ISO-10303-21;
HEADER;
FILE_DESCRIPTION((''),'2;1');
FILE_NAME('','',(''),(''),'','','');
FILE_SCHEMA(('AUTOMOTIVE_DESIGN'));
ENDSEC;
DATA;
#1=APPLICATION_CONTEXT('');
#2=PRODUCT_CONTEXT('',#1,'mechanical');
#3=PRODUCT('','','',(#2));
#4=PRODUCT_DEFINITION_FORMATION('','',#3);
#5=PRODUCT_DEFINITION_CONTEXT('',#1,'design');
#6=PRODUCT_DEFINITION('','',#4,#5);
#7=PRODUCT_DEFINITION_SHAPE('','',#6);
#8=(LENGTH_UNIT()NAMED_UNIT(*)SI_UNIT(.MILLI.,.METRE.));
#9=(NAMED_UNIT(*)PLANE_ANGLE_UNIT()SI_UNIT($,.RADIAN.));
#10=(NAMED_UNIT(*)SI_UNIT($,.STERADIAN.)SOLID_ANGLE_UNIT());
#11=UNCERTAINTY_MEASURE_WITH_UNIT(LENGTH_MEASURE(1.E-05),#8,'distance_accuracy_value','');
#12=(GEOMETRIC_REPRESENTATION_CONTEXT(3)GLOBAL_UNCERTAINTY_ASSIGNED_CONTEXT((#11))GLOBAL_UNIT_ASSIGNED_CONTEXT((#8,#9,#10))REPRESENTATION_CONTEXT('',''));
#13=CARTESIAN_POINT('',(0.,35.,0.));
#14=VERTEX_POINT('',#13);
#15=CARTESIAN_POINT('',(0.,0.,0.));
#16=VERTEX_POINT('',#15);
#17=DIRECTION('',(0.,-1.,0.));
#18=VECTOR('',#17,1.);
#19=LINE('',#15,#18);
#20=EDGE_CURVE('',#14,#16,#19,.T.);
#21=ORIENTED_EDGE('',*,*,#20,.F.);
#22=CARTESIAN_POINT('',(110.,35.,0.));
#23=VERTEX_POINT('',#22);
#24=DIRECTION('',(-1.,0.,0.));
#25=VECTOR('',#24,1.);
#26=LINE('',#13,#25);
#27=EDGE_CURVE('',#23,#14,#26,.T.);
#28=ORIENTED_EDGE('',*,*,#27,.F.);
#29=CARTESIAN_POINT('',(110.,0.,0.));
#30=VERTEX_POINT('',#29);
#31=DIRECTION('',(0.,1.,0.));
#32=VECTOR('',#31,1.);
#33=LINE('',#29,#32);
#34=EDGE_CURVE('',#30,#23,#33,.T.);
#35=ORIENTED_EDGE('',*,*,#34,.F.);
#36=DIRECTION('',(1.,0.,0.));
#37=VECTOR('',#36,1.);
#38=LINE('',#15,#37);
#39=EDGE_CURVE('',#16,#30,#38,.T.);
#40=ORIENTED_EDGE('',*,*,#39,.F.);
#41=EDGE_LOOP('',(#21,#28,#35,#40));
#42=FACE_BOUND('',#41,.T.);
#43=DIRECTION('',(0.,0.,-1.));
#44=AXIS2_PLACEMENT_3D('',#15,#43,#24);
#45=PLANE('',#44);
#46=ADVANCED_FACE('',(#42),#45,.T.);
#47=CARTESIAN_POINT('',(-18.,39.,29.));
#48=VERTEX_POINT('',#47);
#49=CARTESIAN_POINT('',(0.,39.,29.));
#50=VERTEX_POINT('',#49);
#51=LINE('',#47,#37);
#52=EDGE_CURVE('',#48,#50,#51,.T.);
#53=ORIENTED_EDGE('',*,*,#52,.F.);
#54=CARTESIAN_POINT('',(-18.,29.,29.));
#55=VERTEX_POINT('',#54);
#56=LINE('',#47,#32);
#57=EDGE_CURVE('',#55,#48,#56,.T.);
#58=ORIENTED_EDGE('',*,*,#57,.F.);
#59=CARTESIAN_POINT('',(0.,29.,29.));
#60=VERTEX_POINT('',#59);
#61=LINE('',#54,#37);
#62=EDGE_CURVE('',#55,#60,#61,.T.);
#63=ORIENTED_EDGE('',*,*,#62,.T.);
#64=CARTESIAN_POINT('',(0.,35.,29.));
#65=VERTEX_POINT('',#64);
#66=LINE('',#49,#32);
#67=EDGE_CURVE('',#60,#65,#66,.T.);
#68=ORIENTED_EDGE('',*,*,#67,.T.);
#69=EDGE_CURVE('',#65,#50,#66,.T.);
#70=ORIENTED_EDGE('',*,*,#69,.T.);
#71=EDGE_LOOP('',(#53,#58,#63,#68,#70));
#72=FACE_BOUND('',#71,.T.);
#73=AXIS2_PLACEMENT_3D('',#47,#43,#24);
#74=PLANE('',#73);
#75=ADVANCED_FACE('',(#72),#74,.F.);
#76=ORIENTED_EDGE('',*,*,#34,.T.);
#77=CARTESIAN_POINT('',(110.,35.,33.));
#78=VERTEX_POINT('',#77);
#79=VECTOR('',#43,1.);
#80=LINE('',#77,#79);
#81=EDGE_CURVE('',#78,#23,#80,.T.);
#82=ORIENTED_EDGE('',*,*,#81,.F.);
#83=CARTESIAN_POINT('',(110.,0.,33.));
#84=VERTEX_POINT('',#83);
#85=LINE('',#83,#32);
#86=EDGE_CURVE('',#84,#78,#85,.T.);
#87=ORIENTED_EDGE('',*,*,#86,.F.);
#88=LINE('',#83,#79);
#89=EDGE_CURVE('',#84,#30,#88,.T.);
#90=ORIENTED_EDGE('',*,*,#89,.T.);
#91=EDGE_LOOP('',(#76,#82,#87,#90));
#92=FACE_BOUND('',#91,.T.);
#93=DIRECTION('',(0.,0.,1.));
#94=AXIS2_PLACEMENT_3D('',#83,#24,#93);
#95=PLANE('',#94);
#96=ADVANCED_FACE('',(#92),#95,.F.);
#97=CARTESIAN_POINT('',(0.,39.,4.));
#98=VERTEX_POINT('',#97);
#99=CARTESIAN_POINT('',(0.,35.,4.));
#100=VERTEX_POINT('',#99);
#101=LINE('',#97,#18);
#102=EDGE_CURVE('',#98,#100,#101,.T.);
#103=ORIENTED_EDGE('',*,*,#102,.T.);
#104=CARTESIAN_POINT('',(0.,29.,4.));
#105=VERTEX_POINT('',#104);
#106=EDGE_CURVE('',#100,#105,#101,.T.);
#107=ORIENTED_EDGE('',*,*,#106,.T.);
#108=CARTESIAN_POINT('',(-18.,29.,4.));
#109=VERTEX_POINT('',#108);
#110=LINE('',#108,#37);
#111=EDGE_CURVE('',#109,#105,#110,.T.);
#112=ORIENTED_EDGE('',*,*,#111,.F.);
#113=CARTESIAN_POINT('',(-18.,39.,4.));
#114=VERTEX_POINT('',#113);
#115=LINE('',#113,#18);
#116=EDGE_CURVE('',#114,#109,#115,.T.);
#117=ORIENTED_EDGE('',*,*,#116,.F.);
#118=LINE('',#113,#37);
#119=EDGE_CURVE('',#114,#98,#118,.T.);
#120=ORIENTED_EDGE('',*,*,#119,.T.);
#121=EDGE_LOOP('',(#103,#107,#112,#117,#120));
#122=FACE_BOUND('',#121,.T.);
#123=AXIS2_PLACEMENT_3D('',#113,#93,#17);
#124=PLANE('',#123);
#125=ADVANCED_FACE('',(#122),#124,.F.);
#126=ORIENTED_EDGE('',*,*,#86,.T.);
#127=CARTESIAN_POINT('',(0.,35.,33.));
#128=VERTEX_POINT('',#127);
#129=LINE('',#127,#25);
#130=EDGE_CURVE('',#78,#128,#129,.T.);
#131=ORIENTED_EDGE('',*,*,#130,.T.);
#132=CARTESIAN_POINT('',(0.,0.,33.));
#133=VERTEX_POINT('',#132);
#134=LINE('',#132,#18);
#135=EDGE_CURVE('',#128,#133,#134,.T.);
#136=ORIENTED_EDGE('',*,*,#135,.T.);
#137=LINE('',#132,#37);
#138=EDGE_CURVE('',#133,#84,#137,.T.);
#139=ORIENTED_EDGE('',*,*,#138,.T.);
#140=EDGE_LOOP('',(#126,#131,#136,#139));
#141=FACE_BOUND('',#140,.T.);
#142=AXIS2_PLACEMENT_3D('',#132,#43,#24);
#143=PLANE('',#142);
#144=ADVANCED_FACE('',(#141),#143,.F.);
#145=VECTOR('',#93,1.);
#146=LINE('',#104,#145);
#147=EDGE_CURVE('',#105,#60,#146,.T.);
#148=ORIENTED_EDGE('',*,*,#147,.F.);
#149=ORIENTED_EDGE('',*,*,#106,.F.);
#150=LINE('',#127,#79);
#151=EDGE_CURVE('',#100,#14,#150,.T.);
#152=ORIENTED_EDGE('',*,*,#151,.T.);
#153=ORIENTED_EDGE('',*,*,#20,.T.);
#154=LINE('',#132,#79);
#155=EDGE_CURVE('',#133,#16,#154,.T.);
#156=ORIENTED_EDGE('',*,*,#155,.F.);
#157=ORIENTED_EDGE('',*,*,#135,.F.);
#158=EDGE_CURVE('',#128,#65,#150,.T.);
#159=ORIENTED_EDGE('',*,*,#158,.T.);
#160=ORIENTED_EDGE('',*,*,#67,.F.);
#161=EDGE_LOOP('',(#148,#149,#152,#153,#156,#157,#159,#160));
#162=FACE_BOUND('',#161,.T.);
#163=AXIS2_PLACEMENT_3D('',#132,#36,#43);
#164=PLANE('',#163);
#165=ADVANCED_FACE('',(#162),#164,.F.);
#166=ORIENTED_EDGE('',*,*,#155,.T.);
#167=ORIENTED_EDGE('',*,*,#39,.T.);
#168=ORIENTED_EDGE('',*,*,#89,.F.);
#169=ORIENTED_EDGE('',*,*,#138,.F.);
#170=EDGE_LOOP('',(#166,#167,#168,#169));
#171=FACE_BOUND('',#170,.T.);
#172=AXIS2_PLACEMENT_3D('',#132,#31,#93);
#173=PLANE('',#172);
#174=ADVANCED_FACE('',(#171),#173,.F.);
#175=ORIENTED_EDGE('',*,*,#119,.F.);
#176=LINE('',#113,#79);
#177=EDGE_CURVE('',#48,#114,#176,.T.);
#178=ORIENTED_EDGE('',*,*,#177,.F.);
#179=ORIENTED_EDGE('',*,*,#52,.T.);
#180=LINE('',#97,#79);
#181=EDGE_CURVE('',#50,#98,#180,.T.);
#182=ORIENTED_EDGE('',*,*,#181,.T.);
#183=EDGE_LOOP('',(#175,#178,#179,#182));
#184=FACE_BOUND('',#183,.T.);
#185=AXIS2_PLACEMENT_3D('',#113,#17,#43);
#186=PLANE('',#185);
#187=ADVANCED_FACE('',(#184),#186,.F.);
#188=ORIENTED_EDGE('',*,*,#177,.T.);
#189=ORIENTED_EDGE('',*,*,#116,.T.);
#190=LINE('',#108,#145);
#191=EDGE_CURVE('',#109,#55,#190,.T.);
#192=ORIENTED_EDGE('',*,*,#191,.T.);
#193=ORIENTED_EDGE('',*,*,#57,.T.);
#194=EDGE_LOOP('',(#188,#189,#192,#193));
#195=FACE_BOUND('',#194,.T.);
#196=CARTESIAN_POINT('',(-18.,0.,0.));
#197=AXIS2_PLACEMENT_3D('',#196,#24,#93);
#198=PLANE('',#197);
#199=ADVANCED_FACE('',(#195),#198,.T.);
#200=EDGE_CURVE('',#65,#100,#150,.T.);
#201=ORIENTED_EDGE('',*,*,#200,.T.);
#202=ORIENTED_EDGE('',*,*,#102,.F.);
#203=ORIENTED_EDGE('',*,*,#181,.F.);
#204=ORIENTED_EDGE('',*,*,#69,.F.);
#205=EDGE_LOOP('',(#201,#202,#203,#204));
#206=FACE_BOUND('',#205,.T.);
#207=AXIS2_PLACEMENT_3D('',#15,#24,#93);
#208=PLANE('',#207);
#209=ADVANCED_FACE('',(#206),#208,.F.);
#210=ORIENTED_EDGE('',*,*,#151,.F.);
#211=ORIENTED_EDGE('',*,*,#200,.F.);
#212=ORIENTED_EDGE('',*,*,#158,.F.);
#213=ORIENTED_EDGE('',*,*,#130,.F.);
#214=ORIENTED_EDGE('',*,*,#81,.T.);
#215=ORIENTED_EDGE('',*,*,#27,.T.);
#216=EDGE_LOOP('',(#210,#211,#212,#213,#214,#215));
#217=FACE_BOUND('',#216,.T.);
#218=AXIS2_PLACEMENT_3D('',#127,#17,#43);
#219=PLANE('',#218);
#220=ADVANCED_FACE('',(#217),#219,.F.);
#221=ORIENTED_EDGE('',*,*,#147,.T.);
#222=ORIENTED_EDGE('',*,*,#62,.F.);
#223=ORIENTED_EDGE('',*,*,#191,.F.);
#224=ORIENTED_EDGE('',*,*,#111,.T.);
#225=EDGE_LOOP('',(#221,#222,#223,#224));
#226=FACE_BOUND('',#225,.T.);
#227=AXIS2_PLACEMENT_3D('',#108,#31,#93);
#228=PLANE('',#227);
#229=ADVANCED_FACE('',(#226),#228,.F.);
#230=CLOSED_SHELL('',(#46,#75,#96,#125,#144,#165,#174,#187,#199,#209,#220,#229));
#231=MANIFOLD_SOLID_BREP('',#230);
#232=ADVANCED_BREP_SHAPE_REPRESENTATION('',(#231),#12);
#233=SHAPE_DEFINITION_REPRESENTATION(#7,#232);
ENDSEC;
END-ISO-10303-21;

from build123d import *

# Parameters (mm, degrees)
SKETCH_1_W      = 110
SKETCH_1_H      = 35
EXTRUDE_1_DEPTH = 33
SKETCH_2_W      = 25
SKETCH_2_H      = 10
EXTRUDE_2_DEPTH = 18


with BuildPart() as part:
    # Эскиз1 → Бобышка-Вытянуть1 (new body)
    with BuildSketch(Plane.XY):
        with Locations((55, 17.5)):
            Rectangle(SKETCH_1_W, SKETCH_1_H)
    extrude(amount=EXTRUDE_1_DEPTH)

    # Эскиз2 → Бобышка-Вытянуть2 (add)
    with BuildSketch(Plane.ZY):
        with Locations((16.5, 34)):
            Rectangle(SKETCH_2_W, SKETCH_2_H)
    extrude(amount=EXTRUDE_2_DEPTH)


solid = part.part
